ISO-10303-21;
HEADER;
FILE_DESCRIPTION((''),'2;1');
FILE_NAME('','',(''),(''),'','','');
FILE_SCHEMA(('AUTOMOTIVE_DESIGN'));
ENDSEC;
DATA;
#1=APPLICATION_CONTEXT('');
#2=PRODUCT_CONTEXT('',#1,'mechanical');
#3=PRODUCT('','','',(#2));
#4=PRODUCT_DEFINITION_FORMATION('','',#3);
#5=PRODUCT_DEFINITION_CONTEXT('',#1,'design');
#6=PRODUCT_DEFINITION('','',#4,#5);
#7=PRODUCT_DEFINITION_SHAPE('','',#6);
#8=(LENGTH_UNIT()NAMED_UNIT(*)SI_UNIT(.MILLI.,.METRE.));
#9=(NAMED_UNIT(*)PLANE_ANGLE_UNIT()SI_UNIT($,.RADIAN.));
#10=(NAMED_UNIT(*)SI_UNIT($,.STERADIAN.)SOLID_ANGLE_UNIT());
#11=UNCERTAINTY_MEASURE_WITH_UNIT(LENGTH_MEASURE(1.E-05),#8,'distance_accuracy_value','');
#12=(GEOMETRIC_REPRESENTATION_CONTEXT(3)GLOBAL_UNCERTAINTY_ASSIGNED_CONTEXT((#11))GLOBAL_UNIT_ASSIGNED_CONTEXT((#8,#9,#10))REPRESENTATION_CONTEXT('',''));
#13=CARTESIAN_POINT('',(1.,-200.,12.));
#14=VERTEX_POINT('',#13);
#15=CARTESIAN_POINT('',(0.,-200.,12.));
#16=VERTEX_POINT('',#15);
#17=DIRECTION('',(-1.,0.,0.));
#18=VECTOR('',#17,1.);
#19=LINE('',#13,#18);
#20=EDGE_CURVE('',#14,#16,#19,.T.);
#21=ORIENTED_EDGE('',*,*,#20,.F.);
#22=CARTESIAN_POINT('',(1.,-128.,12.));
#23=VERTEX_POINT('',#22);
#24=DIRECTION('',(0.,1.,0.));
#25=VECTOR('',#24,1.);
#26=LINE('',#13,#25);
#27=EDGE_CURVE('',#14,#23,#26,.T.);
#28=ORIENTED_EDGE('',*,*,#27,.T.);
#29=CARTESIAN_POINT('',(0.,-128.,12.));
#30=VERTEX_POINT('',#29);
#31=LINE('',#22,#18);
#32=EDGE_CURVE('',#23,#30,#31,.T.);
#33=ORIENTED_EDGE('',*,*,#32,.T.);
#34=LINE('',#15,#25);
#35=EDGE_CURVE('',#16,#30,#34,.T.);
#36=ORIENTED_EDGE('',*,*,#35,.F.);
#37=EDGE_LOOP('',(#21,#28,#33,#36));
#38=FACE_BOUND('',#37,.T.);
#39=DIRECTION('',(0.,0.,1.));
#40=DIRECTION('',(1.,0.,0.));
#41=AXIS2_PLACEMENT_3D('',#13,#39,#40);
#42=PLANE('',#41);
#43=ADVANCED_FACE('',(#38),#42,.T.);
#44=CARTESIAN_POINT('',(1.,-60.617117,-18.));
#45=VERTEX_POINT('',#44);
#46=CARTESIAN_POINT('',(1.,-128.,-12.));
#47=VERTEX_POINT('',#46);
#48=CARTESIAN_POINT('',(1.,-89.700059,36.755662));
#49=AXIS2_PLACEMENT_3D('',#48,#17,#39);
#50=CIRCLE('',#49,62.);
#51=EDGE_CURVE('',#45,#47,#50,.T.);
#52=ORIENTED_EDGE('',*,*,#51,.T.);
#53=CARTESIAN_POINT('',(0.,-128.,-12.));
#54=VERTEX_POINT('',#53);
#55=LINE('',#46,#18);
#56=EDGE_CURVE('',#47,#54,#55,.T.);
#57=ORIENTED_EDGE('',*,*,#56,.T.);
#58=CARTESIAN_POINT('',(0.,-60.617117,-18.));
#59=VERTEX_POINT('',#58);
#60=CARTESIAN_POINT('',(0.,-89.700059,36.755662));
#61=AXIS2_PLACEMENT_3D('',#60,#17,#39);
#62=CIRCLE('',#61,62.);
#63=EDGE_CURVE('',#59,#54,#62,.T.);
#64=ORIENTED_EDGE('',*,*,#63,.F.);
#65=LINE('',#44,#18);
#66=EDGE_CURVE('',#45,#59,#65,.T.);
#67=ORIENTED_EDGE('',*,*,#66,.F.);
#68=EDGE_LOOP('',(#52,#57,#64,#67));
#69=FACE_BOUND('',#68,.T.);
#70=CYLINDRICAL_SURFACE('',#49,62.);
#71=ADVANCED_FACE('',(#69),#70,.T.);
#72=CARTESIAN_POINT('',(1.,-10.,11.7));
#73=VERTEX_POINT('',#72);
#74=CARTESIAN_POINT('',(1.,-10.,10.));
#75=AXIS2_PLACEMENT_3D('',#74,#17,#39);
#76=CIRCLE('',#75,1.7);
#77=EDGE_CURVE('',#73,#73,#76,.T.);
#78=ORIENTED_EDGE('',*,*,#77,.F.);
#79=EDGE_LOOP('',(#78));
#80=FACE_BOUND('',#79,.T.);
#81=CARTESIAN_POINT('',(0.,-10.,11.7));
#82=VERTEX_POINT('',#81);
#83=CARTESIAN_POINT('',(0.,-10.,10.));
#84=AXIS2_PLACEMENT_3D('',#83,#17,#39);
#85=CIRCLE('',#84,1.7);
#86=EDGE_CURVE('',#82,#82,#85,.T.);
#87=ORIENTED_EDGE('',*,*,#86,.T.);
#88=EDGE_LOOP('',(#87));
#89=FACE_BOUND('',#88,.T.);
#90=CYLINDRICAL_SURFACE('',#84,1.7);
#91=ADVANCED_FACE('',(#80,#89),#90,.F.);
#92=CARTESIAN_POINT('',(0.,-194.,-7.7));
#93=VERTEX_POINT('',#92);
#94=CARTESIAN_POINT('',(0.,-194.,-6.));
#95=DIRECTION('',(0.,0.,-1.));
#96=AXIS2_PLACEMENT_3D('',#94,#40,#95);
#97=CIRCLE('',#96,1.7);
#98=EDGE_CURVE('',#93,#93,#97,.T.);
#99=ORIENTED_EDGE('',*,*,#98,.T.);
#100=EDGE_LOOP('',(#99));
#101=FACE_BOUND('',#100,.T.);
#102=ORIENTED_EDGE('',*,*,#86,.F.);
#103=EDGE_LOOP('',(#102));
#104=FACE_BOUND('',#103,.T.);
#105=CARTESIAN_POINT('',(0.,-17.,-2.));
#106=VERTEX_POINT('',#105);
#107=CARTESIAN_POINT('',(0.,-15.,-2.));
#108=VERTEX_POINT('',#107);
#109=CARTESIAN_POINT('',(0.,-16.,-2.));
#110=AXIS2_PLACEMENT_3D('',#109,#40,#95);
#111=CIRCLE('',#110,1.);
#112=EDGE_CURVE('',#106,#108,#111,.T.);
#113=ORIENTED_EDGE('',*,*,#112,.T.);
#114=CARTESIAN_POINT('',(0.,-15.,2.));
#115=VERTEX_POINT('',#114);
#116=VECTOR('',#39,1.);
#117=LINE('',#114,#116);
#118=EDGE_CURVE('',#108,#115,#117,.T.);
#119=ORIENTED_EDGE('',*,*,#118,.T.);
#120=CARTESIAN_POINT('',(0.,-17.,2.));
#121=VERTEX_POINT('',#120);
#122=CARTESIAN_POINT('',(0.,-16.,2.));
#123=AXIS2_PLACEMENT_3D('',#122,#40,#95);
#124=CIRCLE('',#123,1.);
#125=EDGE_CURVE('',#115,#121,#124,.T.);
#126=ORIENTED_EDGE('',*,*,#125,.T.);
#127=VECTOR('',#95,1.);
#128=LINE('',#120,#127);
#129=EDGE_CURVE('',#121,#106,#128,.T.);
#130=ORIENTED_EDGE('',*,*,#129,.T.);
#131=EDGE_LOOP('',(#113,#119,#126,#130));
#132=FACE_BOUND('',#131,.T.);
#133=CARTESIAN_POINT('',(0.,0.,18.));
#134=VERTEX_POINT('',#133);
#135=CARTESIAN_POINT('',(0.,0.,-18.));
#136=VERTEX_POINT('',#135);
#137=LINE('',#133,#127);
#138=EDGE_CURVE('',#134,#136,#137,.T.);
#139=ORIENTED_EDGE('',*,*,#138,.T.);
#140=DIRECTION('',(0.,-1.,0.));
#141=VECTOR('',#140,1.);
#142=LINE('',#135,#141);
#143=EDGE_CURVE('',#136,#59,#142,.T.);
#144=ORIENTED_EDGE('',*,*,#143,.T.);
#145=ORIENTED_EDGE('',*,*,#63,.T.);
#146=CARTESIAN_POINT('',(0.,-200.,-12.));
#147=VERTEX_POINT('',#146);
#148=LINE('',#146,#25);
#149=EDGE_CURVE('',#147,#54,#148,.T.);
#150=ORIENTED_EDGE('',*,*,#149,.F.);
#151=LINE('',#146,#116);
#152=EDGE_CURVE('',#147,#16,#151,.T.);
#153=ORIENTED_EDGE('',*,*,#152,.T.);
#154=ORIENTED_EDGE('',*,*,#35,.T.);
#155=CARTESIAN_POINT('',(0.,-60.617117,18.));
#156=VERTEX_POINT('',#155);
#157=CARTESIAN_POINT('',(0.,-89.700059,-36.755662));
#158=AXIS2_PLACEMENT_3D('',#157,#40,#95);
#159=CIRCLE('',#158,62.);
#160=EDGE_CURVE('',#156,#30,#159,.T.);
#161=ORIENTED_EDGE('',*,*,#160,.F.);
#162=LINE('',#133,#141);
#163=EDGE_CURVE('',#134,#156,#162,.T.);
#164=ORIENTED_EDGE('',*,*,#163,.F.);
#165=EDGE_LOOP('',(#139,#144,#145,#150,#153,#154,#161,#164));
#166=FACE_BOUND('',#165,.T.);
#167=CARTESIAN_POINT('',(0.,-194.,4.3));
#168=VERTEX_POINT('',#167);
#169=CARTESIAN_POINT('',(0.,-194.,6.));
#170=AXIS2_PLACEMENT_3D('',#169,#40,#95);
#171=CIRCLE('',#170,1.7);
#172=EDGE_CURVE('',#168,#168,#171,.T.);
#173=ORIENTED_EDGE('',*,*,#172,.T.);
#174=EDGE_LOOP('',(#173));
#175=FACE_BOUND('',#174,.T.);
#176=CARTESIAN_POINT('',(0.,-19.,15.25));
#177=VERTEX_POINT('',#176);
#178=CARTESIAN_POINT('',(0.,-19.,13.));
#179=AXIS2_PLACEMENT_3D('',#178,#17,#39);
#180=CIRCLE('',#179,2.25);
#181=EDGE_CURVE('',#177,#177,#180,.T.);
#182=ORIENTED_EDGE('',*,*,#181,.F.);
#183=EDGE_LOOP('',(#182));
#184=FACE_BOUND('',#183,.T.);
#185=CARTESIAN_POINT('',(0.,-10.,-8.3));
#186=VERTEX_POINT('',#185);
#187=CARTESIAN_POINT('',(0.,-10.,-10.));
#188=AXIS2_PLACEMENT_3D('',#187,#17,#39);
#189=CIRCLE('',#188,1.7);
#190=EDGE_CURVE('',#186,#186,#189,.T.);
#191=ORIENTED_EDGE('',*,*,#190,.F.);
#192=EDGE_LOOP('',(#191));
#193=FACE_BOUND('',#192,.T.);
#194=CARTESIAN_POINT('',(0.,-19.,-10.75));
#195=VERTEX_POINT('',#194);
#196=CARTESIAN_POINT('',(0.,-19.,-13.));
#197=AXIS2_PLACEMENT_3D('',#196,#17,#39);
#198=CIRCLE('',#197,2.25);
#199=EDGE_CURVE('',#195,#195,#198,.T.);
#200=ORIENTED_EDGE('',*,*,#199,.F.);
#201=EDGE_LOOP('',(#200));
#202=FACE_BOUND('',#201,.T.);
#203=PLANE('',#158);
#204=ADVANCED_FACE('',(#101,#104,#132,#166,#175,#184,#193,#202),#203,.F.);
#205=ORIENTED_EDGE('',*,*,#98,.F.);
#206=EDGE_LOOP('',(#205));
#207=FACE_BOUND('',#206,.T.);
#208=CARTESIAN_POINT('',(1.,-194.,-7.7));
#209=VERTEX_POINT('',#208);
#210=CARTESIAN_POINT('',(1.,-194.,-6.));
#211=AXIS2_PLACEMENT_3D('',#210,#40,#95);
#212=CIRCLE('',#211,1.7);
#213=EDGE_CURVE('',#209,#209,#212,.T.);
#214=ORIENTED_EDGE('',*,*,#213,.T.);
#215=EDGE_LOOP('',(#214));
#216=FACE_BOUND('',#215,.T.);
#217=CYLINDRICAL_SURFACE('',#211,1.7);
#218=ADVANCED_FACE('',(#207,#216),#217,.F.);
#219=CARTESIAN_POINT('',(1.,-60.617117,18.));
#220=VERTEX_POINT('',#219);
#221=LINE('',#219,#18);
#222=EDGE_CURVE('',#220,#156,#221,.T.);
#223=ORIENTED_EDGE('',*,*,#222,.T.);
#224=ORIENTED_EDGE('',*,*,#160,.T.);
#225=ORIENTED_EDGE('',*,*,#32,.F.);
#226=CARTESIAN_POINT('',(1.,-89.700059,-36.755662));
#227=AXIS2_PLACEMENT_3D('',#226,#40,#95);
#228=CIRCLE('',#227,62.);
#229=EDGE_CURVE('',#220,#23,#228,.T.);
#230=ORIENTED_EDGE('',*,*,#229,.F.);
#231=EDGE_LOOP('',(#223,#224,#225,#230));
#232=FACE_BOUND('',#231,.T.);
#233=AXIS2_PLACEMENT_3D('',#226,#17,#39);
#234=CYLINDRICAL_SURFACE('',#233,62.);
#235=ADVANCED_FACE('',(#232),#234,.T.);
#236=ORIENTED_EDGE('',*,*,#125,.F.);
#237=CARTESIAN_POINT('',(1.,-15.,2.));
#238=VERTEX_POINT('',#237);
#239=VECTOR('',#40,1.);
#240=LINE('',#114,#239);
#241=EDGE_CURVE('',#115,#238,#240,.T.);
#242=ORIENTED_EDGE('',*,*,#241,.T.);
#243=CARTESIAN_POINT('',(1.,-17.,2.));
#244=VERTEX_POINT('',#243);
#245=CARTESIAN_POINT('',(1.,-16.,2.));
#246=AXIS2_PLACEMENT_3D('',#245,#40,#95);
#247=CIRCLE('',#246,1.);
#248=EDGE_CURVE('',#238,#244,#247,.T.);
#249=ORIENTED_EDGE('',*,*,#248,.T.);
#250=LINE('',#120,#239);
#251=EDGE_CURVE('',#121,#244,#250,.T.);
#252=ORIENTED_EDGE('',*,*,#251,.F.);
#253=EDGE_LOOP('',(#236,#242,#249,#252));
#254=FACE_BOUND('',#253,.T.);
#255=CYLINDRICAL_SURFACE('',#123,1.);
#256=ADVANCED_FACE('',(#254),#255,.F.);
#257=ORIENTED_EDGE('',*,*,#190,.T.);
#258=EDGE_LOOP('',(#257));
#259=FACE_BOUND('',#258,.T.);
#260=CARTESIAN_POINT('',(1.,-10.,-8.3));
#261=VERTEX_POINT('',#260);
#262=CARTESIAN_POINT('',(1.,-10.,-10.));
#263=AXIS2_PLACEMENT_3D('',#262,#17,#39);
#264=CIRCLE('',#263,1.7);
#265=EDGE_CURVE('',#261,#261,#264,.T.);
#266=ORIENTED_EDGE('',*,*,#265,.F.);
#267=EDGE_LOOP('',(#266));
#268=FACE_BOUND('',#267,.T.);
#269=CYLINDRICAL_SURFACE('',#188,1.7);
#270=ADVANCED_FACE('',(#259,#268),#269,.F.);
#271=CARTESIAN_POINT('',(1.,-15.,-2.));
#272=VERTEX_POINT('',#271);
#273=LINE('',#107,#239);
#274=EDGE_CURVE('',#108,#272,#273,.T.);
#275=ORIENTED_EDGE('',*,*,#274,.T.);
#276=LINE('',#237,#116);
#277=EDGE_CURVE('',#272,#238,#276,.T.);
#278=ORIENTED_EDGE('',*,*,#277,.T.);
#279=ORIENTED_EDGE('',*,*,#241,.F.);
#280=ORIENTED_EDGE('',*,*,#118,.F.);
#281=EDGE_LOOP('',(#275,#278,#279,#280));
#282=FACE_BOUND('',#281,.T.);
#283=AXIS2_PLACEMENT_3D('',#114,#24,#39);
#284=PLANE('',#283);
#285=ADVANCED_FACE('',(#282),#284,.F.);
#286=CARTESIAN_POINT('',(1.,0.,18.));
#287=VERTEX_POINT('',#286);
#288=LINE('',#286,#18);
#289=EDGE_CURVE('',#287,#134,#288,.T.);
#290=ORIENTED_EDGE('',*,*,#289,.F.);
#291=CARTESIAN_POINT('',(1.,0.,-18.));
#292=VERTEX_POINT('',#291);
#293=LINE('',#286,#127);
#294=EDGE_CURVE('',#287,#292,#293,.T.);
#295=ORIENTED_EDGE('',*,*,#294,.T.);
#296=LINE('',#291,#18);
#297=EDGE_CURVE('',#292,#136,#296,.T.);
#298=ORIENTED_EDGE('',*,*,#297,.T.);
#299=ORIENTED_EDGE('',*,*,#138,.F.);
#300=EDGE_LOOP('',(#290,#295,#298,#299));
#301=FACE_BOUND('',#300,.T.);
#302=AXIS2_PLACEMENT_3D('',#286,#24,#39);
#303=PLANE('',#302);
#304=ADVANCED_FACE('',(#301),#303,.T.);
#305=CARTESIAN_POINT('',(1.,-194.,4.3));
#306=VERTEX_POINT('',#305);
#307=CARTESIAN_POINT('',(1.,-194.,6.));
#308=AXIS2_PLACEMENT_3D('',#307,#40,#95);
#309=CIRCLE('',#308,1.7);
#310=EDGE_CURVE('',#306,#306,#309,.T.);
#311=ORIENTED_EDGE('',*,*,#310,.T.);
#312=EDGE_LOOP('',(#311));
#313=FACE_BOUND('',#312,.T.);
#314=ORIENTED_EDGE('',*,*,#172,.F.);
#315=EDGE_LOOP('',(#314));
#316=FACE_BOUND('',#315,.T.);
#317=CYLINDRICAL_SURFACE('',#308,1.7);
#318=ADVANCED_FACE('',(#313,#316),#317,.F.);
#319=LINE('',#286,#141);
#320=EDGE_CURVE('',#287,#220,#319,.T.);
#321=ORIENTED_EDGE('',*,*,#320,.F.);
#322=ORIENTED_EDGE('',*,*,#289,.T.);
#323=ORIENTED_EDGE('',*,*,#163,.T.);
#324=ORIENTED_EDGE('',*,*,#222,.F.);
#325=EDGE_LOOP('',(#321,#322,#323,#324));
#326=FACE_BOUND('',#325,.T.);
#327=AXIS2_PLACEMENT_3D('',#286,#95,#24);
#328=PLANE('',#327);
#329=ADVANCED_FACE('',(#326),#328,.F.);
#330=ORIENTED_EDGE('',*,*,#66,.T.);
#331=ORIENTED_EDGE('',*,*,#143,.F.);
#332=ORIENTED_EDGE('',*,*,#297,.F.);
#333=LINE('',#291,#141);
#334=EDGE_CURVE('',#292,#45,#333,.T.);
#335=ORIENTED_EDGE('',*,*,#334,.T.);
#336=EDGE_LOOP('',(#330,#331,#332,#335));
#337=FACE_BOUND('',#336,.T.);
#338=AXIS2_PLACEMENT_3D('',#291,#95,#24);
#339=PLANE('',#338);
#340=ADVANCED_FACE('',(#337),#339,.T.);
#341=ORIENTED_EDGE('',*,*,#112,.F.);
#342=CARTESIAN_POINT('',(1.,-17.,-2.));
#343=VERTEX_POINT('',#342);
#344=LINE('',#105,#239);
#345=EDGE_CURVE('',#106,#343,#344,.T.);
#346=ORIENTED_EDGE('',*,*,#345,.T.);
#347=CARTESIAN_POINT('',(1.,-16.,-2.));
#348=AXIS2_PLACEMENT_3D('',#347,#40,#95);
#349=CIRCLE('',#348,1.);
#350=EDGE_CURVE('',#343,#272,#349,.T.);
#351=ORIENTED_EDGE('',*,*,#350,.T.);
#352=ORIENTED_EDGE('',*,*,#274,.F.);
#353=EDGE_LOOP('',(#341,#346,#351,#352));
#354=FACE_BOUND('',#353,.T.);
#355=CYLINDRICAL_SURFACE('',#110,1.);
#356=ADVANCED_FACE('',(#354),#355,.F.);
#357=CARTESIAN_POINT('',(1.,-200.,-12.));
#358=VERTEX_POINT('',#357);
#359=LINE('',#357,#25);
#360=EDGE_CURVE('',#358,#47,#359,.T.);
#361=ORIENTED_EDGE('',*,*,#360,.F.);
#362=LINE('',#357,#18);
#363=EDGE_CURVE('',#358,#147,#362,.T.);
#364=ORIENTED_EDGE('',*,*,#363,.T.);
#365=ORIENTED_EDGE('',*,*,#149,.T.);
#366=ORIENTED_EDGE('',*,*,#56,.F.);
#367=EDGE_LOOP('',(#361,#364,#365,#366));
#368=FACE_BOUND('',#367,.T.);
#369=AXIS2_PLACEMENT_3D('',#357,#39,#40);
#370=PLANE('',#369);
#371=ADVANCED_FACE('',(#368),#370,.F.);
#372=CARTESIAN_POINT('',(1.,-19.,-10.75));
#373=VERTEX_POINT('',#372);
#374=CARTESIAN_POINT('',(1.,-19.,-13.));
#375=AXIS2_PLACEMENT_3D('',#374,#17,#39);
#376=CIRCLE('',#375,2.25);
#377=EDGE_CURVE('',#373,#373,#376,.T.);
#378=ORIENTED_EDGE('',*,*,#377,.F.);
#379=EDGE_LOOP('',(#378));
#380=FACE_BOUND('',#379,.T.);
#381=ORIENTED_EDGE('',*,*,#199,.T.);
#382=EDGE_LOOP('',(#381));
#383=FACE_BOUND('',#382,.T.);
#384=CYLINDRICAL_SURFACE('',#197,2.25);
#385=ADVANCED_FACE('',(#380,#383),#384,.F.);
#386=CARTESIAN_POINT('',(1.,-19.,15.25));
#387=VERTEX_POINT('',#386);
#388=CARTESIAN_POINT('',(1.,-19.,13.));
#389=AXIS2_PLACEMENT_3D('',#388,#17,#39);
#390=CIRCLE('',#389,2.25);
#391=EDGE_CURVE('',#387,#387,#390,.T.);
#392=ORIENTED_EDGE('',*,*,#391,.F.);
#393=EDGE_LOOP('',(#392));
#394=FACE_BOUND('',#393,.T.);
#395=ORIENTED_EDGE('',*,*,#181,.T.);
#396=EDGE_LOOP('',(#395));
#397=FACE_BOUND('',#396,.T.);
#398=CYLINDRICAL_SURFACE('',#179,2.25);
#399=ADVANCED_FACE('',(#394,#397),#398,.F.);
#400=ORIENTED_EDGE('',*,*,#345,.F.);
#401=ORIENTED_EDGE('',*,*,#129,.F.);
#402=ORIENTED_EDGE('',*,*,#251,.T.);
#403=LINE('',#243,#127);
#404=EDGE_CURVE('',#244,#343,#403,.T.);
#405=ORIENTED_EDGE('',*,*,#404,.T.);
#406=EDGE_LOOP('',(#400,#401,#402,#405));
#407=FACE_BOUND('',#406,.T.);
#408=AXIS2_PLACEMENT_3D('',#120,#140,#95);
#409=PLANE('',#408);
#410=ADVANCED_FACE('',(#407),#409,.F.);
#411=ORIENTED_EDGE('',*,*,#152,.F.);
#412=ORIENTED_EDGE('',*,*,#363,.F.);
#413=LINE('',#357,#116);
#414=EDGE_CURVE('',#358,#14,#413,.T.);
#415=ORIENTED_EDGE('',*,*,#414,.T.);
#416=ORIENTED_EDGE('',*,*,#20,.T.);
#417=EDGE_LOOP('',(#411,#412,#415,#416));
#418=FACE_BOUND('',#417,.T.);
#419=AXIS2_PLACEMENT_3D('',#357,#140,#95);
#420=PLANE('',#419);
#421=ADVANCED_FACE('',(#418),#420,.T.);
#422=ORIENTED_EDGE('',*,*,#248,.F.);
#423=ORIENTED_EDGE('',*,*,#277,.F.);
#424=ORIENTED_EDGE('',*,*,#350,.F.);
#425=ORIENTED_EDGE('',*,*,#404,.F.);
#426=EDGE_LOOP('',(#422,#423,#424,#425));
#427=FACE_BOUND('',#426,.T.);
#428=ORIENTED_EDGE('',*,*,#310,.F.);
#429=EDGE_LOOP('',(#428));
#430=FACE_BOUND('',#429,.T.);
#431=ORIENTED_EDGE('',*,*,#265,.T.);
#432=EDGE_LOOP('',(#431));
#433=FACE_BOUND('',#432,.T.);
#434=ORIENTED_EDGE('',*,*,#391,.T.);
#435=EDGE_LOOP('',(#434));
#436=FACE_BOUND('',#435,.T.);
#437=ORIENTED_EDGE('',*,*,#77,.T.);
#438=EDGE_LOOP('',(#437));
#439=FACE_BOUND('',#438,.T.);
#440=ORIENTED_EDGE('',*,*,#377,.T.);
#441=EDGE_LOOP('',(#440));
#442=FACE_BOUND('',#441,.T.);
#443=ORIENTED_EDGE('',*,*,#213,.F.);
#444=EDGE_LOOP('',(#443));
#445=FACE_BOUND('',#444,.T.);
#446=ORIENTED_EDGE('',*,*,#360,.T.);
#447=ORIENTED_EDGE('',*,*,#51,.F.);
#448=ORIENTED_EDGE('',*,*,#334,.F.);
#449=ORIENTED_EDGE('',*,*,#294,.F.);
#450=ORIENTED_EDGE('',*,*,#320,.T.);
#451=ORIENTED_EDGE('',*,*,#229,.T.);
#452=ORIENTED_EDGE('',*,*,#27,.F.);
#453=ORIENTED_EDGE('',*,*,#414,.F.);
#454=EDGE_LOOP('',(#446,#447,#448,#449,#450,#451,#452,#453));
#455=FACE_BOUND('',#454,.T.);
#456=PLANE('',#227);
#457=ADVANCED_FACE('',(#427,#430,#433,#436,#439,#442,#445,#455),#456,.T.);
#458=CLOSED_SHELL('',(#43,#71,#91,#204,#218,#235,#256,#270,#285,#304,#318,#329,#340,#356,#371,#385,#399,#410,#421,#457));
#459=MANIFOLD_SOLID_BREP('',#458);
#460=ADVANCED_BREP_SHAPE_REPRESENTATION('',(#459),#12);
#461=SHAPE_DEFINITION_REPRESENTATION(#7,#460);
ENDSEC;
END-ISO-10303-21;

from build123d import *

# Parameters (mm, degrees)
BOSS_EXTRUDE1_DEPTH  = 1
M3_CLEARANCE_HOLE1_D = 3.4
M4_CLEARANCE_HOLE1_D = 4.5
CUT_EXTRUDE1_DEPTH   = 202.589376266
M3_CLEARANCE_HOLE2_D = 3.4


with BuildPart() as part:
    # Sketch1 → Boss-Extrude1 (new body)
    with BuildSketch(Plane(origin=(0, 0, 0), x_dir=(0, 0, -1), z_dir=(1, 0, 0))):
        with BuildLine():
            Line((12, -200), (12, -128))
            ThreePointArc((12, -128), (25, -95.198992339), (18, -60.617116977))
            Line((18, -60.617116977), (18, 0))
            Line((18, 0), (-18, 0))
            Line((-18, 0), (-18, -60.617116977))
            ThreePointArc((-18, -60.617116977), (-25, -95.198992339), (-12, -128))
            Line((-12, -128), (-12, -200))
            Line((-12, -200), (12, -200))
        make_face()
    extrude(amount=BOSS_EXTRUDE1_DEPTH)

    # M3 Clearance Hole1 (through all)
    with Locations(Plane.ZY):
        with Locations((10, -10), (-10, -10)):
            Hole(M3_CLEARANCE_HOLE1_D / 2)

    # M4 Clearance Hole1 (through all)
    with Locations(Plane.ZY):
        with Locations((-13, -19), (13, -19)):
            Hole(M4_CLEARANCE_HOLE1_D / 2)

    # Sketch10 → Cut-Extrude1 (cut, through all)
    with BuildSketch(Plane(origin=(1, 0, 0), x_dir=(0, 0, -1), z_dir=(1, 0, 0))):
        with BuildLine():
            Line((-2, -15), (2, -15))
            ThreePointArc((2, -15), (3, -16), (2, -17))
            Line((2, -17), (-2, -17))
            ThreePointArc((-2, -17), (-3, -16), (-2, -15))
        make_face()
    extrude(amount=-CUT_EXTRUDE1_DEPTH, mode=Mode.SUBTRACT)

    # M3 Clearance Hole2 (through all)
    with Locations(Plane(origin=(1, 0, 0), x_dir=(0, 0, -1), z_dir=(1, 0, 0))):
        with Locations((-6, -194), (6, -194)):
            Hole(M3_CLEARANCE_HOLE2_D / 2)


solid = part.part
